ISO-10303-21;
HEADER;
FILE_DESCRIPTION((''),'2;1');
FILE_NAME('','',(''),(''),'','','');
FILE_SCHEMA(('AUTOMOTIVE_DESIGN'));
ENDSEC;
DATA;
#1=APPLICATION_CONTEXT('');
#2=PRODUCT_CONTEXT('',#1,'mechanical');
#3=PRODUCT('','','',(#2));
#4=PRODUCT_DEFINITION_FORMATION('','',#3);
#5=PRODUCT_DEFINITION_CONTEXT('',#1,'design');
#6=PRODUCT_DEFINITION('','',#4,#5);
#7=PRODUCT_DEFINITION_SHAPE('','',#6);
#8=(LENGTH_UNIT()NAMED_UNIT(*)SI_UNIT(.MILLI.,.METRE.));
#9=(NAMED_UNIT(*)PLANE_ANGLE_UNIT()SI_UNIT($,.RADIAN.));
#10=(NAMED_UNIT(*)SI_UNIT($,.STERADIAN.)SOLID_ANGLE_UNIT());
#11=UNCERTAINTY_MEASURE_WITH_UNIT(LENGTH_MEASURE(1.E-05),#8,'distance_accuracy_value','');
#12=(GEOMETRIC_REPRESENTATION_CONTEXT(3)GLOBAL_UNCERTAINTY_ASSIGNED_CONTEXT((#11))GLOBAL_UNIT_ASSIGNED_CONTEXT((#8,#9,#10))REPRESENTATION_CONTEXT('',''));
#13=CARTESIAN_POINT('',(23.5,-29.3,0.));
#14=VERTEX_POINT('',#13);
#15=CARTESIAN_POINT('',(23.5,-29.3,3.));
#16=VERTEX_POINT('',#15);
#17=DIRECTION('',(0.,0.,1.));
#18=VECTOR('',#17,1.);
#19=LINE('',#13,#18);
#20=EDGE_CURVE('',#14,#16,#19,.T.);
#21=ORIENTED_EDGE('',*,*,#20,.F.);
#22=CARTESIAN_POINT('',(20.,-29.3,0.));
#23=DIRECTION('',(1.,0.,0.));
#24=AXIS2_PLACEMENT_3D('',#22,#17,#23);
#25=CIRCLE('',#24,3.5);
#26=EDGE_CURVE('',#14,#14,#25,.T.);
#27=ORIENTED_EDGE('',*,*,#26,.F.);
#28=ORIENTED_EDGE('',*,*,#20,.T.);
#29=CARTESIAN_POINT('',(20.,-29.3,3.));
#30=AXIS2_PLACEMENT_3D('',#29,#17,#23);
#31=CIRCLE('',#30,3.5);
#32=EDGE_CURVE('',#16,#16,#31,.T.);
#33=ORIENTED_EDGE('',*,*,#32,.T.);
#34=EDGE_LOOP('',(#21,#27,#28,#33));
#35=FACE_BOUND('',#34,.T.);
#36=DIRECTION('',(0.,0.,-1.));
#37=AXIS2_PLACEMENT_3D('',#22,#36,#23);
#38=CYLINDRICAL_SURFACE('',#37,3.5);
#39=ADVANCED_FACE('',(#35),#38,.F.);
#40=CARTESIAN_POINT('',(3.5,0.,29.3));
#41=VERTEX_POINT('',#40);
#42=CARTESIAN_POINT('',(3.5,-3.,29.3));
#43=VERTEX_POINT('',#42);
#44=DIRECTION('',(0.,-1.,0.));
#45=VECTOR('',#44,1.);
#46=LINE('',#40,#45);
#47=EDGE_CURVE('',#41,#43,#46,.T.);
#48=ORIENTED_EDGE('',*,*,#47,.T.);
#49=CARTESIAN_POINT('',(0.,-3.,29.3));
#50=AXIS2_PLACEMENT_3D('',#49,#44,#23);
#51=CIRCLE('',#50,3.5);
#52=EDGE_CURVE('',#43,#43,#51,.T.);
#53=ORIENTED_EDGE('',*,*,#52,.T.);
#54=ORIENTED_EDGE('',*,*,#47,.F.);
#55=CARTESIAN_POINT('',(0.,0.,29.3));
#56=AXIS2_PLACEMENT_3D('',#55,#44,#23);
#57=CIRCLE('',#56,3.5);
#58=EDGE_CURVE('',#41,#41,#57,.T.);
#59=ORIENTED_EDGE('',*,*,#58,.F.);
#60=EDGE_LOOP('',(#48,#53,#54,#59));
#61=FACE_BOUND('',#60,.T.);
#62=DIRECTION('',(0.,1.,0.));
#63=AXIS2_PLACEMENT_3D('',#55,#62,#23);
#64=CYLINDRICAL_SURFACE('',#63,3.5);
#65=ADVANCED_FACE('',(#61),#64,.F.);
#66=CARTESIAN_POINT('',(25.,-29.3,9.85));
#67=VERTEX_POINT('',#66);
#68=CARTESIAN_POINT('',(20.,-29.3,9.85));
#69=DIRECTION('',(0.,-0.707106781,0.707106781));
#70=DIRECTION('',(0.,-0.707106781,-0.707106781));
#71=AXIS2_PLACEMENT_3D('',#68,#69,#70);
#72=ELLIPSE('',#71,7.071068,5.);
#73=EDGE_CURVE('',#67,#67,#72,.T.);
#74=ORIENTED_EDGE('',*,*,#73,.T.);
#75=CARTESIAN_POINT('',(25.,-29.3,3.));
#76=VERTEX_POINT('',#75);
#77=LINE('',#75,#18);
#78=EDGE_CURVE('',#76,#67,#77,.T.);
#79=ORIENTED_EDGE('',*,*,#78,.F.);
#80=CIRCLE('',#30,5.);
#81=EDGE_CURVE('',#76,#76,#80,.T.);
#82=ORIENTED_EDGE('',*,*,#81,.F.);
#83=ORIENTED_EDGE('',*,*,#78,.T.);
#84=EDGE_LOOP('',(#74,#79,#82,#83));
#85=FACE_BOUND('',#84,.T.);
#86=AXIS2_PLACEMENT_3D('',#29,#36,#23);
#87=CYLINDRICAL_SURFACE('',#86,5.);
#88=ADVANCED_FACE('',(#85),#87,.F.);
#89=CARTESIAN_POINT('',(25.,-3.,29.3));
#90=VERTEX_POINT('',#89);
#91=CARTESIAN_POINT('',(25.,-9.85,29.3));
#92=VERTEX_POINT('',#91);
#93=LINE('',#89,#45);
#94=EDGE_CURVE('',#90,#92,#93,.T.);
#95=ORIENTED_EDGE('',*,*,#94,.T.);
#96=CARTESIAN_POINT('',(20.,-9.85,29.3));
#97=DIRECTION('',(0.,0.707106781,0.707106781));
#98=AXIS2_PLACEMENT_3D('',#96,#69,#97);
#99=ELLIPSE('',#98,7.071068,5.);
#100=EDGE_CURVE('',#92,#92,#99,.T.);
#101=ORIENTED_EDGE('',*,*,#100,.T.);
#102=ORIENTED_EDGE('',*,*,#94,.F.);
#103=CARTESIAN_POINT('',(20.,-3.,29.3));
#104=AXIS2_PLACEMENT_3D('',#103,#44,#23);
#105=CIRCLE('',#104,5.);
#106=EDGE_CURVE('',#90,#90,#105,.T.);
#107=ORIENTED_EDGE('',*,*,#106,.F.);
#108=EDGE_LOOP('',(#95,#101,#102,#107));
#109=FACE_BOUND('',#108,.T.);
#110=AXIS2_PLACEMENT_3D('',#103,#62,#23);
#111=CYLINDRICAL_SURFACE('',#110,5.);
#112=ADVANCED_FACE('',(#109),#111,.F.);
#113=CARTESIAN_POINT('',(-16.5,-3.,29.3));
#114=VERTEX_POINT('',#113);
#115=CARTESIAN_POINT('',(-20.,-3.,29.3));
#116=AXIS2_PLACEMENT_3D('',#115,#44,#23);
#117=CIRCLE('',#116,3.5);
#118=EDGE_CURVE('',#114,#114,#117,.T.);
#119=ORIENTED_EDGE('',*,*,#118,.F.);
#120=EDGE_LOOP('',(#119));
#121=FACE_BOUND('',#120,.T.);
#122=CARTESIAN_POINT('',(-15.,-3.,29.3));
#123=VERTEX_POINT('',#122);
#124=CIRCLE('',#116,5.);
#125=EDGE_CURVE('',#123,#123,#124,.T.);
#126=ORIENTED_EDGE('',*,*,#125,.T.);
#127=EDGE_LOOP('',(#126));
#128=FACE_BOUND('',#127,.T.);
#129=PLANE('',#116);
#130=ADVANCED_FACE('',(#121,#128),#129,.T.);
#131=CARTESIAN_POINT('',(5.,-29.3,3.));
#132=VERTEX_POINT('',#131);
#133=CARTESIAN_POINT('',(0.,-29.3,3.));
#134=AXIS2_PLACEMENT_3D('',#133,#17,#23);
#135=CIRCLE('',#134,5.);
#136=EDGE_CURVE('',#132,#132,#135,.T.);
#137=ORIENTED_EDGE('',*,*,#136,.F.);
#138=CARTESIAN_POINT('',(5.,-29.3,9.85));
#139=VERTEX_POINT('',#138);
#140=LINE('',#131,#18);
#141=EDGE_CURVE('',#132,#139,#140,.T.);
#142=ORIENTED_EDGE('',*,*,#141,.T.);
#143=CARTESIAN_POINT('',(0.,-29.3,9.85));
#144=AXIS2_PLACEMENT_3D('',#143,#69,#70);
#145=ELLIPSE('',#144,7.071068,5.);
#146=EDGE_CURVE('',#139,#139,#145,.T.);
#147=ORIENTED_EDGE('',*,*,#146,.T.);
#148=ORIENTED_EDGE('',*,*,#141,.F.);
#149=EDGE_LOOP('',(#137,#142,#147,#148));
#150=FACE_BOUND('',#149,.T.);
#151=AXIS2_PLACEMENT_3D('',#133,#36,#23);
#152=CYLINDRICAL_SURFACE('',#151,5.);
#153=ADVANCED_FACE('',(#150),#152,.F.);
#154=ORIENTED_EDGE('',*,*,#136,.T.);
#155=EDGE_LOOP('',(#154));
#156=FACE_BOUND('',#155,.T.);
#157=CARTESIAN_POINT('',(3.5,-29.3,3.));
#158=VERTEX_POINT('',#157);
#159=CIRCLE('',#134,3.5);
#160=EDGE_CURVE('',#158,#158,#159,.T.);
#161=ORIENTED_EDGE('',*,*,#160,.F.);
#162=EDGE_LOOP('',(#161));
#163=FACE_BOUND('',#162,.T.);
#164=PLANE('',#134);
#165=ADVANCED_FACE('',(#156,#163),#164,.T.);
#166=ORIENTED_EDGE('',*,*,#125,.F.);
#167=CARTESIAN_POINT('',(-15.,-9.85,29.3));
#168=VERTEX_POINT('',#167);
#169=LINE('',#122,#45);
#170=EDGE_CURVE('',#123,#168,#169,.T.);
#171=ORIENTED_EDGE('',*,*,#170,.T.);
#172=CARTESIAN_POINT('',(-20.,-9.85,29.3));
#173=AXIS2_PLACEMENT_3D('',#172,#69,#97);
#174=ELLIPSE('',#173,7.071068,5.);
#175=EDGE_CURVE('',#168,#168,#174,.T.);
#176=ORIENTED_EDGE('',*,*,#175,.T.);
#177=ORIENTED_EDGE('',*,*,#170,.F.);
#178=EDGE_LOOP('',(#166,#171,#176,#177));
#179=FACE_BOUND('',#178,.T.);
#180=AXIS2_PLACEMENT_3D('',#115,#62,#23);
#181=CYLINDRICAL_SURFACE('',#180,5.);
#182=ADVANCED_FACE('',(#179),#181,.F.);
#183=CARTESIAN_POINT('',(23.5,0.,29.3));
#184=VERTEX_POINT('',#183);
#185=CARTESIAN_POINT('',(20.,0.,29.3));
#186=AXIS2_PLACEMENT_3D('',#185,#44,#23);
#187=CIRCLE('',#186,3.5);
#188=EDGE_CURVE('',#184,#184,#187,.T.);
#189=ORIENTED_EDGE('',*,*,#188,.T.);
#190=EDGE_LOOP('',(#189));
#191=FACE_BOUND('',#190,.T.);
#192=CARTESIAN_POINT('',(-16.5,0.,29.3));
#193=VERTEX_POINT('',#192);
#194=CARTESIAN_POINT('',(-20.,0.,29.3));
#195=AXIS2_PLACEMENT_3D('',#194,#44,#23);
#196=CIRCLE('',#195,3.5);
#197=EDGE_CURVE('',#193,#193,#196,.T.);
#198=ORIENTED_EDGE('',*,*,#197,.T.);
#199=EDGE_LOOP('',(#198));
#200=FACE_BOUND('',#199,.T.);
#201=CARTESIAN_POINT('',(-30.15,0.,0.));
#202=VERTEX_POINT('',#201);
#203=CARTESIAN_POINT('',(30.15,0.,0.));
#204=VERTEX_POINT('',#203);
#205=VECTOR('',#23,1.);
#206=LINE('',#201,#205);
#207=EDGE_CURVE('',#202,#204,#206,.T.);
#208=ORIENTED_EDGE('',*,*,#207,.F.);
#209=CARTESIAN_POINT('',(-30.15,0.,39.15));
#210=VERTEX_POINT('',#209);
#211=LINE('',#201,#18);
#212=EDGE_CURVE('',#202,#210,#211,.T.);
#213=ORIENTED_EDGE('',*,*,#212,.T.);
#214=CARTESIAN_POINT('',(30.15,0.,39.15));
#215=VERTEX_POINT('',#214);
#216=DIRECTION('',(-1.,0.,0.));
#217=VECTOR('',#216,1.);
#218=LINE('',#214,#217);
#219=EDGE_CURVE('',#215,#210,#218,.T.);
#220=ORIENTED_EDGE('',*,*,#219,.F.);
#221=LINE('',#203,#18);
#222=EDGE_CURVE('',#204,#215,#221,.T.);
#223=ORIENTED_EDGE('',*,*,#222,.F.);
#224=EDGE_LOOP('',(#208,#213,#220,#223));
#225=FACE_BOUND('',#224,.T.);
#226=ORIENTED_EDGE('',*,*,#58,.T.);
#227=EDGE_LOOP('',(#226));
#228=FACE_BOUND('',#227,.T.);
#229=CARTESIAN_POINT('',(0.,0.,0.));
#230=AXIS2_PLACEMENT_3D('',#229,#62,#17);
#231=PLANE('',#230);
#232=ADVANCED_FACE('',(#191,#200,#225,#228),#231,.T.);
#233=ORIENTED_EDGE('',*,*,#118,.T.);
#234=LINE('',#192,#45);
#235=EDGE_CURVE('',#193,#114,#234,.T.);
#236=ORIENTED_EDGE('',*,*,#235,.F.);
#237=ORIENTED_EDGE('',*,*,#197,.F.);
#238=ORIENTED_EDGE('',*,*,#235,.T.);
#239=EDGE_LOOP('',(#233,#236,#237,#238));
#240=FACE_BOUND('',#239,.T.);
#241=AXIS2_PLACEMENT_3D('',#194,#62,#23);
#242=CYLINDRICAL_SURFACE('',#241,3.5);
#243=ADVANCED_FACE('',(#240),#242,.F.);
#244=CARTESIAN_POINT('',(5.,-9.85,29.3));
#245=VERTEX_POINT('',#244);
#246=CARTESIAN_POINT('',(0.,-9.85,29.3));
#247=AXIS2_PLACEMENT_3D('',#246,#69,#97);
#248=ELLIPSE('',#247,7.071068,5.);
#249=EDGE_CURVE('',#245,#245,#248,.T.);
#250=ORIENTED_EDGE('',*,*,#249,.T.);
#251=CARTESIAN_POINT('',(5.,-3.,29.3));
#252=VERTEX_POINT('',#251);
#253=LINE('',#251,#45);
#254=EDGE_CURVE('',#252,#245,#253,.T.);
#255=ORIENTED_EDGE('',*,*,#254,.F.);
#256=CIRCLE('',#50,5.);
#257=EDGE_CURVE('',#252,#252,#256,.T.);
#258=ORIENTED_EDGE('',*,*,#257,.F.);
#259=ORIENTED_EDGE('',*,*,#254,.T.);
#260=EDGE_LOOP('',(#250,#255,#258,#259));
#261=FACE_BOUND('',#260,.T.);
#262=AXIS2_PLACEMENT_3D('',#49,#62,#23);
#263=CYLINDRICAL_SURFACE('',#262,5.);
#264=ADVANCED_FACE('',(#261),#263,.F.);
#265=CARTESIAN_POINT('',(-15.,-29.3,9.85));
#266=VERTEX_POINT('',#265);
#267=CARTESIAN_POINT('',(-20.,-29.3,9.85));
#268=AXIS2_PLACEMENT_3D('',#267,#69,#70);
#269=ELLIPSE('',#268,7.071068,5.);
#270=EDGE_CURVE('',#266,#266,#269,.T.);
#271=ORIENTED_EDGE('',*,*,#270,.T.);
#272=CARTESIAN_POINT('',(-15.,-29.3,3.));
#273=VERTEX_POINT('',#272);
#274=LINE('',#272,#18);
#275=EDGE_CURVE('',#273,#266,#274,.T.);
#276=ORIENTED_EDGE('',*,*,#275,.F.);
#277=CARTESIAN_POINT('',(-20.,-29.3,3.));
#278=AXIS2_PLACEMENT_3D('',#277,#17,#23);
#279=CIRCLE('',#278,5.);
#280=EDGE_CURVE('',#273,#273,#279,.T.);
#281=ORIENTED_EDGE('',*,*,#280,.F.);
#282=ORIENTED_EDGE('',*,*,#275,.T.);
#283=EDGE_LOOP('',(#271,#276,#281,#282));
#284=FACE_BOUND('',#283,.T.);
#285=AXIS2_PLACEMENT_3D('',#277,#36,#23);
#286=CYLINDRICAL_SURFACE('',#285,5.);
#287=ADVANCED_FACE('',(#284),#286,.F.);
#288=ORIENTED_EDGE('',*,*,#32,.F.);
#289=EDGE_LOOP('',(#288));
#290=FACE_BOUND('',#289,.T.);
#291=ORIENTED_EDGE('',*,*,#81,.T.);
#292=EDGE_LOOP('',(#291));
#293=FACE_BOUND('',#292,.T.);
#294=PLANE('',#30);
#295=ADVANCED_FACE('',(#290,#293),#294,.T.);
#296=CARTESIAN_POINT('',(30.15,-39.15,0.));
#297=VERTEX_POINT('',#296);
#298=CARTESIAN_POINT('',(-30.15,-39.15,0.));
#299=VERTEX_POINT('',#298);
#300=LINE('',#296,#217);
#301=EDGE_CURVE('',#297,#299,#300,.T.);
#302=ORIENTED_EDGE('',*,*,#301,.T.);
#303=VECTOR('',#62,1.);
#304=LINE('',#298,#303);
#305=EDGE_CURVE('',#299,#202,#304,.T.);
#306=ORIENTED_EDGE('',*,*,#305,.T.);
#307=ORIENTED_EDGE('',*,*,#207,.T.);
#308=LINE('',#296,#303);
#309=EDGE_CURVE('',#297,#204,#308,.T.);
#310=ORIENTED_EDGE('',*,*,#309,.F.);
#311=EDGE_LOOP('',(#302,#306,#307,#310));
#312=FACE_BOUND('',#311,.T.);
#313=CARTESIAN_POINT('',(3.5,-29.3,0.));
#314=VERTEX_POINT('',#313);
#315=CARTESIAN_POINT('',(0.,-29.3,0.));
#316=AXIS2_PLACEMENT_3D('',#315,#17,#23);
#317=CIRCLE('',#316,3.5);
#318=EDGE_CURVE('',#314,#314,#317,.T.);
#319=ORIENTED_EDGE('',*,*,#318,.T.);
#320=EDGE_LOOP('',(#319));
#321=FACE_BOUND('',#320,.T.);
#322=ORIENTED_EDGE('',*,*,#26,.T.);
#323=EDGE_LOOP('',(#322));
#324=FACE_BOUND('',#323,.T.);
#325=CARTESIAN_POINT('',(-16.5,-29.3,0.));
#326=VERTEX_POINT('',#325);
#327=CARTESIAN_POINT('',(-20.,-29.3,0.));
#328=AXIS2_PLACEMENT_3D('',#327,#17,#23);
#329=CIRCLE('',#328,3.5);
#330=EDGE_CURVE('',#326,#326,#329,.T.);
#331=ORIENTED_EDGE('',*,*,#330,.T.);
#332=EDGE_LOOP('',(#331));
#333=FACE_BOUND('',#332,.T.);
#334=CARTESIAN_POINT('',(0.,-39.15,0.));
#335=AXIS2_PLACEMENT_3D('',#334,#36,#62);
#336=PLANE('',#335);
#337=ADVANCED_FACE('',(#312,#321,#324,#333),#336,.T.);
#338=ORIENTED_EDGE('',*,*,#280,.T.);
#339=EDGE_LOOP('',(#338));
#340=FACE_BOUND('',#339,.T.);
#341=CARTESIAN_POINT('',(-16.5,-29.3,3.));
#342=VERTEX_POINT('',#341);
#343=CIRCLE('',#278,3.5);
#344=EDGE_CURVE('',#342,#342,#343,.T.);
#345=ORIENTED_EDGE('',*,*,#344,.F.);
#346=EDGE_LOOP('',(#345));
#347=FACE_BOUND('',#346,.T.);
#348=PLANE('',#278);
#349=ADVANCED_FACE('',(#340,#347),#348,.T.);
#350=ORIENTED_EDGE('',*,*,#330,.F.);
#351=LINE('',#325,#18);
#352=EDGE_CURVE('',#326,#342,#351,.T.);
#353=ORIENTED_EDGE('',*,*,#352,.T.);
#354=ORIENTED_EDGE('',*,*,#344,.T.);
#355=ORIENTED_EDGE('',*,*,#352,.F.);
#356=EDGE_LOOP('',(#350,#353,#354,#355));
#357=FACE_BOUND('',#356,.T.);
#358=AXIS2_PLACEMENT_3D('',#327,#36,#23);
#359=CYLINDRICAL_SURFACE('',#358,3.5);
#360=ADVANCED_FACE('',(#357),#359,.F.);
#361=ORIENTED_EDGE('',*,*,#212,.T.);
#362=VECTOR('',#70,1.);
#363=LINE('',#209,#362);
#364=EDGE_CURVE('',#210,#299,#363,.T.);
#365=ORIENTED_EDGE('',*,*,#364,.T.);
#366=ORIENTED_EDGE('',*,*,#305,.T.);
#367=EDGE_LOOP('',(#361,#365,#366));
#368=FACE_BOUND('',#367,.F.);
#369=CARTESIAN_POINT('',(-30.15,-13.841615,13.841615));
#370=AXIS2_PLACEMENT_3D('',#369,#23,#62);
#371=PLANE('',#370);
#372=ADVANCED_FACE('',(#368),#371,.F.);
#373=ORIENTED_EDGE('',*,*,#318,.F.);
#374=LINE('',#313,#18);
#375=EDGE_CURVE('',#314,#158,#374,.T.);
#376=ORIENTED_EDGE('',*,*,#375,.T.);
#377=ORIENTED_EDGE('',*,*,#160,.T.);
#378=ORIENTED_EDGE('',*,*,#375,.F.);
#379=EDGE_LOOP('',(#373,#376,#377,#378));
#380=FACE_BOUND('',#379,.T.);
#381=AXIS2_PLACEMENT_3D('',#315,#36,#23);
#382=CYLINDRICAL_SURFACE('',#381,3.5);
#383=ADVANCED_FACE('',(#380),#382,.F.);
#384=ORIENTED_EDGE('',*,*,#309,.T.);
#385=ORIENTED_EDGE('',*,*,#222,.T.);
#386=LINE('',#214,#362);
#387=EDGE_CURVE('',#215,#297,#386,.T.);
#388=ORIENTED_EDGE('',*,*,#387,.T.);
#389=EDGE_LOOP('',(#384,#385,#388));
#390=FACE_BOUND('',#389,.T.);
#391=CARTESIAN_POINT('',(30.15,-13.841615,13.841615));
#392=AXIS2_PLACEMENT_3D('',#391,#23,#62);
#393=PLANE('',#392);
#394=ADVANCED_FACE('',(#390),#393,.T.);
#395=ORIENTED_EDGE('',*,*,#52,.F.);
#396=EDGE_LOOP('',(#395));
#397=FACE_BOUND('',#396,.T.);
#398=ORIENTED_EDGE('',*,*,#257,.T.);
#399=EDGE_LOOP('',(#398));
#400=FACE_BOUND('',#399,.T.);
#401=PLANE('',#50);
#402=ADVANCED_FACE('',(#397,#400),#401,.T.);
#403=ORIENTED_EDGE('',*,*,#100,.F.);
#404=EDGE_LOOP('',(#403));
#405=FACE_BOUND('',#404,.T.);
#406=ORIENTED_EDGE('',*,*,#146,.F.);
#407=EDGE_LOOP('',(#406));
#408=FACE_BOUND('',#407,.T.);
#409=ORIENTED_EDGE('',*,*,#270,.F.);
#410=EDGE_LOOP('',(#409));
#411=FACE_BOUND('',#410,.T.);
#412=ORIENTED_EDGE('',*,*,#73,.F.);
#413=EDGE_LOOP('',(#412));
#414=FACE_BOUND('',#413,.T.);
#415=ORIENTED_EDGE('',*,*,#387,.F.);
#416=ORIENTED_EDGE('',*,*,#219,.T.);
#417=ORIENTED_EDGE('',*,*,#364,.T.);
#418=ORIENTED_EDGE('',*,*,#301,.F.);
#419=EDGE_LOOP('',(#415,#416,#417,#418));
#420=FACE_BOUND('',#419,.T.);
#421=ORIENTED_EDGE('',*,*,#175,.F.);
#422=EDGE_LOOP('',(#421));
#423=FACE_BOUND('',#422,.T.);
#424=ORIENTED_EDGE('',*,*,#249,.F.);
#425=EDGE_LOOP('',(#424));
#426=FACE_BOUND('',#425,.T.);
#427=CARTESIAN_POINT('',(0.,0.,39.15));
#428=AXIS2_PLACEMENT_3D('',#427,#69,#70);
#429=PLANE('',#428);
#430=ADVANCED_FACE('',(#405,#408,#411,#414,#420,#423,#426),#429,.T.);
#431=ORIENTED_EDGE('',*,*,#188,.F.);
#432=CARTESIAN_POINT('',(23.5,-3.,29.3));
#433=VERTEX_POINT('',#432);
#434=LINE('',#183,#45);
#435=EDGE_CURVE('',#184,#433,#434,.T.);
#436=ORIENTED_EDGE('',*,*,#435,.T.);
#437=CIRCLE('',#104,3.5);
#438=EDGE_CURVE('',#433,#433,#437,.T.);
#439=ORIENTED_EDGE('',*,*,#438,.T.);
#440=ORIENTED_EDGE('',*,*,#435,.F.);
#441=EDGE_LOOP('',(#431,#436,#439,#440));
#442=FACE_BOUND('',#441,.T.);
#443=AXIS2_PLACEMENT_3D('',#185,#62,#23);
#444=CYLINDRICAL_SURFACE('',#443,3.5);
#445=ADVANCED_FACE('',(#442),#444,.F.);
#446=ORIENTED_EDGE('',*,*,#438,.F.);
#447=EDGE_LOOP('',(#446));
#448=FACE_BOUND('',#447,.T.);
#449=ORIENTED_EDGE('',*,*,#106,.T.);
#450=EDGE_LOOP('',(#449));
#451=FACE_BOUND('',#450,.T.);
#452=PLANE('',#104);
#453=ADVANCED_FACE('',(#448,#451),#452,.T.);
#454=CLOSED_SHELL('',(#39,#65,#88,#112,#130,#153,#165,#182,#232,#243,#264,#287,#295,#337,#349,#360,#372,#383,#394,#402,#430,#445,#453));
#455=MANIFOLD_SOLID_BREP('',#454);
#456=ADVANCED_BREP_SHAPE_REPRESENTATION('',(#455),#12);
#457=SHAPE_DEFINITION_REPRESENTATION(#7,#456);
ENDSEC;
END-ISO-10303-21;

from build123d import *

# Parameters (mm, degrees)
F1_DEPTH      = 30.15
F1_DEPTH_BACK = 30.15
F2_R          = 3.5
F3_DEPTH      = 25
F4_START      = 3
F2_R_2        = 5
F4_DEPTH      = 22
F5_R          = 3.5
F6_DEPTH      = 25
F7_START      = 3
F5_R_2        = 5
F7_DEPTH      = 22


with BuildPart() as f1:
    # F0 (on Right) → F1 (new body, two sides)
    with BuildSketch(Plane.YZ) as f1_sk:
        Polygon((-39.15, 0), (0, 0), (0, 39.15), align=None)
    extrude(amount=F1_DEPTH)
    extrude(f1_sk.sketch, amount=-F1_DEPTH_BACK)

    # F2 (on Front) → F3 (cut)
    with BuildSketch(Plane.XZ):
        with Locations((-20, 29.3)):
            Circle(F2_R)
        with Locations((0, 29.3)):
            Circle(F2_R)
        with Locations((20, 29.3)):
            Circle(F2_R)
    extrude(amount=F3_DEPTH, mode=Mode.SUBTRACT)

    # F2 (on Front) → F4 (cut)
    with BuildSketch(Plane.XZ.offset(F4_START)):
        with Locations((20, 29.3)):
            Circle(F2_R_2)
        with Locations((20, 29.3)):
            Circle(F2_R, mode=Mode.SUBTRACT)
        with Locations((0, 29.3)):
            Circle(F2_R_2)
        with Locations((0, 29.3)):
            Circle(F2_R, mode=Mode.SUBTRACT)
        with Locations((-20, 29.3)):
            Circle(F2_R_2)
        with Locations((-20, 29.3)):
            Circle(F2_R, mode=Mode.SUBTRACT)
    extrude(amount=F4_DEPTH, mode=Mode.SUBTRACT)

    # F5 (on Top) → F6 (cut)
    with BuildSketch(Plane.XY):
        with Locations((20, -29.3)):
            Circle(F5_R)
        with Locations((0, -29.3)):
            Circle(F5_R)
        with Locations((-20, -29.3)):
            Circle(F5_R)
    extrude(amount=F6_DEPTH, mode=Mode.SUBTRACT)

    # F5 (on Top) → F7 (cut)
    with BuildSketch(Plane.XY.offset(F7_START)):
        with Locations((-20, -29.3)):
            Circle(F5_R_2)
        with Locations((-20, -29.3)):
            Circle(F5_R, mode=Mode.SUBTRACT)
        with Locations((0, -29.3)):
            Circle(F5_R_2)
        with Locations((0, -29.3)):
            Circle(F5_R, mode=Mode.SUBTRACT)
        with Locations((20, -29.3)):
            Circle(F5_R_2)
        with Locations((20, -29.3)):
            Circle(F5_R, mode=Mode.SUBTRACT)
    extrude(amount=F7_DEPTH, mode=Mode.SUBTRACT)


solid = f1.part
